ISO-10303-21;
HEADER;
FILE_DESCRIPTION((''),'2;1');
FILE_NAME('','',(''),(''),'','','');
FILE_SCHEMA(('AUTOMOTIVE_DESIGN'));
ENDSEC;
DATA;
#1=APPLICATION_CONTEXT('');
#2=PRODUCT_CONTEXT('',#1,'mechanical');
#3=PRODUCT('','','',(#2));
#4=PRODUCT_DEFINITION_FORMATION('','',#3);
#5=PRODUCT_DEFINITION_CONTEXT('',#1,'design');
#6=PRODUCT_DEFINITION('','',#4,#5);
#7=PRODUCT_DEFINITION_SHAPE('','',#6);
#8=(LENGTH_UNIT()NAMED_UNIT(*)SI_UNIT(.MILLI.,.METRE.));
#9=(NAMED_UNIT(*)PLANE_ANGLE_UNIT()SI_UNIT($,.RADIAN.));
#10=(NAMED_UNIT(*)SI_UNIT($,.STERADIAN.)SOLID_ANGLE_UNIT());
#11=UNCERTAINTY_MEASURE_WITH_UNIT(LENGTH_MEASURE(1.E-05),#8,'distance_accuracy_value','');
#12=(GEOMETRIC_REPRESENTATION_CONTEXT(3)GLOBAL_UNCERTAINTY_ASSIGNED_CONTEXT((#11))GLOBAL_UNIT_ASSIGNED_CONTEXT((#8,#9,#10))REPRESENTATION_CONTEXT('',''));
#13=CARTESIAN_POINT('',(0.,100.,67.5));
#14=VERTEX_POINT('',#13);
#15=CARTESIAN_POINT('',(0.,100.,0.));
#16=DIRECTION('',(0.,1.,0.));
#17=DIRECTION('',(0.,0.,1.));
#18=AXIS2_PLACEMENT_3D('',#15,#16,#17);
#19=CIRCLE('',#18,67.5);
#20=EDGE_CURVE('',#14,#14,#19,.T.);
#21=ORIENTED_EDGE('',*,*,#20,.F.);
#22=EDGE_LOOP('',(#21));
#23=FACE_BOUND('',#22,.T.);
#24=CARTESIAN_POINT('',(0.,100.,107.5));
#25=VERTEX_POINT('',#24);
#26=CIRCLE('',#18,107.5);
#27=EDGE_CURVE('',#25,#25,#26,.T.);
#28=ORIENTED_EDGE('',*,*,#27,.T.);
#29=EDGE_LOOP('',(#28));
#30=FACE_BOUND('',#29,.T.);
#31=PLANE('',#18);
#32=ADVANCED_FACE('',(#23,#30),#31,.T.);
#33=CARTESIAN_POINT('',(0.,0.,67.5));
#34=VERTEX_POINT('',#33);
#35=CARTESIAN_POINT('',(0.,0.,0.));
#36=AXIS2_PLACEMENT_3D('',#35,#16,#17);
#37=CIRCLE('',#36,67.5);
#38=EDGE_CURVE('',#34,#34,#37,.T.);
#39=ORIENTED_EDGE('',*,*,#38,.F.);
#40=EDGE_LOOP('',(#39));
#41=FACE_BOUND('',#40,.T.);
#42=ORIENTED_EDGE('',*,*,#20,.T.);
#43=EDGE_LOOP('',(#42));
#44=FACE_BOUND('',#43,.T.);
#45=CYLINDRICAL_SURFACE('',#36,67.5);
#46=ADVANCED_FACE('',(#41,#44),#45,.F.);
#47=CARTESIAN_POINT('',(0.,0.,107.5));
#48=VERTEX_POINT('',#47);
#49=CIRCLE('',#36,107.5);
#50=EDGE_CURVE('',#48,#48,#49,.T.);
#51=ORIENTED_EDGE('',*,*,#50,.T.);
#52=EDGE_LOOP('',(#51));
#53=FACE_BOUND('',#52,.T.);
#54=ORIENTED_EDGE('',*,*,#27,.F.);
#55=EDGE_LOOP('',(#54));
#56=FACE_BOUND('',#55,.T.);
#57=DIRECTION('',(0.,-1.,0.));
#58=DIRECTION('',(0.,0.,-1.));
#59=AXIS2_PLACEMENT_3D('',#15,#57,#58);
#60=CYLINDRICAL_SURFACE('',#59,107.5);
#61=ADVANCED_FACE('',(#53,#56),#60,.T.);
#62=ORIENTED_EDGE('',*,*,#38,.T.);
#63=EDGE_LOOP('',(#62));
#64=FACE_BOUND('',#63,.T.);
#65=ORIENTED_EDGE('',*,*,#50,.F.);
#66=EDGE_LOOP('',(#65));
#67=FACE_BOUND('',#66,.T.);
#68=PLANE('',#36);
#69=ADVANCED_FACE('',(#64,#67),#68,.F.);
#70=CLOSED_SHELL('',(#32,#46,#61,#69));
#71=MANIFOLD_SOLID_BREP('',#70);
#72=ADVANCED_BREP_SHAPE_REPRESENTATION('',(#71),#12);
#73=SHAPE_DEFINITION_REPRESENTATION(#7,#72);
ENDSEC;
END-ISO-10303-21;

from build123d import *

# Parameters (mm, degrees)
SKETCH1_R           = 107.5
BOSS_EXTRUDE1_DEPTH = 100
SKETCH2_R           = 67.5
CUT_EXTRUDE1_DEPTH  = 100


with BuildPart() as part:
    # Sketch1 → Boss-Extrude1 (new body)
    with BuildSketch(Plane(origin=(0, 0, 0), x_dir=(1, 0, 0), z_dir=(0, 1, 0))):
        Circle(SKETCH1_R)
    extrude(amount=BOSS_EXTRUDE1_DEPTH)

    # Sketch2 → Cut-Extrude1 (cut)
    with BuildSketch(Plane(origin=(0, 100, 0), x_dir=(1, 0, 0), z_dir=(0, 1, 0))):
        Circle(SKETCH2_R)
    extrude(amount=-CUT_EXTRUDE1_DEPTH, mode=Mode.SUBTRACT)


solid = part.part
